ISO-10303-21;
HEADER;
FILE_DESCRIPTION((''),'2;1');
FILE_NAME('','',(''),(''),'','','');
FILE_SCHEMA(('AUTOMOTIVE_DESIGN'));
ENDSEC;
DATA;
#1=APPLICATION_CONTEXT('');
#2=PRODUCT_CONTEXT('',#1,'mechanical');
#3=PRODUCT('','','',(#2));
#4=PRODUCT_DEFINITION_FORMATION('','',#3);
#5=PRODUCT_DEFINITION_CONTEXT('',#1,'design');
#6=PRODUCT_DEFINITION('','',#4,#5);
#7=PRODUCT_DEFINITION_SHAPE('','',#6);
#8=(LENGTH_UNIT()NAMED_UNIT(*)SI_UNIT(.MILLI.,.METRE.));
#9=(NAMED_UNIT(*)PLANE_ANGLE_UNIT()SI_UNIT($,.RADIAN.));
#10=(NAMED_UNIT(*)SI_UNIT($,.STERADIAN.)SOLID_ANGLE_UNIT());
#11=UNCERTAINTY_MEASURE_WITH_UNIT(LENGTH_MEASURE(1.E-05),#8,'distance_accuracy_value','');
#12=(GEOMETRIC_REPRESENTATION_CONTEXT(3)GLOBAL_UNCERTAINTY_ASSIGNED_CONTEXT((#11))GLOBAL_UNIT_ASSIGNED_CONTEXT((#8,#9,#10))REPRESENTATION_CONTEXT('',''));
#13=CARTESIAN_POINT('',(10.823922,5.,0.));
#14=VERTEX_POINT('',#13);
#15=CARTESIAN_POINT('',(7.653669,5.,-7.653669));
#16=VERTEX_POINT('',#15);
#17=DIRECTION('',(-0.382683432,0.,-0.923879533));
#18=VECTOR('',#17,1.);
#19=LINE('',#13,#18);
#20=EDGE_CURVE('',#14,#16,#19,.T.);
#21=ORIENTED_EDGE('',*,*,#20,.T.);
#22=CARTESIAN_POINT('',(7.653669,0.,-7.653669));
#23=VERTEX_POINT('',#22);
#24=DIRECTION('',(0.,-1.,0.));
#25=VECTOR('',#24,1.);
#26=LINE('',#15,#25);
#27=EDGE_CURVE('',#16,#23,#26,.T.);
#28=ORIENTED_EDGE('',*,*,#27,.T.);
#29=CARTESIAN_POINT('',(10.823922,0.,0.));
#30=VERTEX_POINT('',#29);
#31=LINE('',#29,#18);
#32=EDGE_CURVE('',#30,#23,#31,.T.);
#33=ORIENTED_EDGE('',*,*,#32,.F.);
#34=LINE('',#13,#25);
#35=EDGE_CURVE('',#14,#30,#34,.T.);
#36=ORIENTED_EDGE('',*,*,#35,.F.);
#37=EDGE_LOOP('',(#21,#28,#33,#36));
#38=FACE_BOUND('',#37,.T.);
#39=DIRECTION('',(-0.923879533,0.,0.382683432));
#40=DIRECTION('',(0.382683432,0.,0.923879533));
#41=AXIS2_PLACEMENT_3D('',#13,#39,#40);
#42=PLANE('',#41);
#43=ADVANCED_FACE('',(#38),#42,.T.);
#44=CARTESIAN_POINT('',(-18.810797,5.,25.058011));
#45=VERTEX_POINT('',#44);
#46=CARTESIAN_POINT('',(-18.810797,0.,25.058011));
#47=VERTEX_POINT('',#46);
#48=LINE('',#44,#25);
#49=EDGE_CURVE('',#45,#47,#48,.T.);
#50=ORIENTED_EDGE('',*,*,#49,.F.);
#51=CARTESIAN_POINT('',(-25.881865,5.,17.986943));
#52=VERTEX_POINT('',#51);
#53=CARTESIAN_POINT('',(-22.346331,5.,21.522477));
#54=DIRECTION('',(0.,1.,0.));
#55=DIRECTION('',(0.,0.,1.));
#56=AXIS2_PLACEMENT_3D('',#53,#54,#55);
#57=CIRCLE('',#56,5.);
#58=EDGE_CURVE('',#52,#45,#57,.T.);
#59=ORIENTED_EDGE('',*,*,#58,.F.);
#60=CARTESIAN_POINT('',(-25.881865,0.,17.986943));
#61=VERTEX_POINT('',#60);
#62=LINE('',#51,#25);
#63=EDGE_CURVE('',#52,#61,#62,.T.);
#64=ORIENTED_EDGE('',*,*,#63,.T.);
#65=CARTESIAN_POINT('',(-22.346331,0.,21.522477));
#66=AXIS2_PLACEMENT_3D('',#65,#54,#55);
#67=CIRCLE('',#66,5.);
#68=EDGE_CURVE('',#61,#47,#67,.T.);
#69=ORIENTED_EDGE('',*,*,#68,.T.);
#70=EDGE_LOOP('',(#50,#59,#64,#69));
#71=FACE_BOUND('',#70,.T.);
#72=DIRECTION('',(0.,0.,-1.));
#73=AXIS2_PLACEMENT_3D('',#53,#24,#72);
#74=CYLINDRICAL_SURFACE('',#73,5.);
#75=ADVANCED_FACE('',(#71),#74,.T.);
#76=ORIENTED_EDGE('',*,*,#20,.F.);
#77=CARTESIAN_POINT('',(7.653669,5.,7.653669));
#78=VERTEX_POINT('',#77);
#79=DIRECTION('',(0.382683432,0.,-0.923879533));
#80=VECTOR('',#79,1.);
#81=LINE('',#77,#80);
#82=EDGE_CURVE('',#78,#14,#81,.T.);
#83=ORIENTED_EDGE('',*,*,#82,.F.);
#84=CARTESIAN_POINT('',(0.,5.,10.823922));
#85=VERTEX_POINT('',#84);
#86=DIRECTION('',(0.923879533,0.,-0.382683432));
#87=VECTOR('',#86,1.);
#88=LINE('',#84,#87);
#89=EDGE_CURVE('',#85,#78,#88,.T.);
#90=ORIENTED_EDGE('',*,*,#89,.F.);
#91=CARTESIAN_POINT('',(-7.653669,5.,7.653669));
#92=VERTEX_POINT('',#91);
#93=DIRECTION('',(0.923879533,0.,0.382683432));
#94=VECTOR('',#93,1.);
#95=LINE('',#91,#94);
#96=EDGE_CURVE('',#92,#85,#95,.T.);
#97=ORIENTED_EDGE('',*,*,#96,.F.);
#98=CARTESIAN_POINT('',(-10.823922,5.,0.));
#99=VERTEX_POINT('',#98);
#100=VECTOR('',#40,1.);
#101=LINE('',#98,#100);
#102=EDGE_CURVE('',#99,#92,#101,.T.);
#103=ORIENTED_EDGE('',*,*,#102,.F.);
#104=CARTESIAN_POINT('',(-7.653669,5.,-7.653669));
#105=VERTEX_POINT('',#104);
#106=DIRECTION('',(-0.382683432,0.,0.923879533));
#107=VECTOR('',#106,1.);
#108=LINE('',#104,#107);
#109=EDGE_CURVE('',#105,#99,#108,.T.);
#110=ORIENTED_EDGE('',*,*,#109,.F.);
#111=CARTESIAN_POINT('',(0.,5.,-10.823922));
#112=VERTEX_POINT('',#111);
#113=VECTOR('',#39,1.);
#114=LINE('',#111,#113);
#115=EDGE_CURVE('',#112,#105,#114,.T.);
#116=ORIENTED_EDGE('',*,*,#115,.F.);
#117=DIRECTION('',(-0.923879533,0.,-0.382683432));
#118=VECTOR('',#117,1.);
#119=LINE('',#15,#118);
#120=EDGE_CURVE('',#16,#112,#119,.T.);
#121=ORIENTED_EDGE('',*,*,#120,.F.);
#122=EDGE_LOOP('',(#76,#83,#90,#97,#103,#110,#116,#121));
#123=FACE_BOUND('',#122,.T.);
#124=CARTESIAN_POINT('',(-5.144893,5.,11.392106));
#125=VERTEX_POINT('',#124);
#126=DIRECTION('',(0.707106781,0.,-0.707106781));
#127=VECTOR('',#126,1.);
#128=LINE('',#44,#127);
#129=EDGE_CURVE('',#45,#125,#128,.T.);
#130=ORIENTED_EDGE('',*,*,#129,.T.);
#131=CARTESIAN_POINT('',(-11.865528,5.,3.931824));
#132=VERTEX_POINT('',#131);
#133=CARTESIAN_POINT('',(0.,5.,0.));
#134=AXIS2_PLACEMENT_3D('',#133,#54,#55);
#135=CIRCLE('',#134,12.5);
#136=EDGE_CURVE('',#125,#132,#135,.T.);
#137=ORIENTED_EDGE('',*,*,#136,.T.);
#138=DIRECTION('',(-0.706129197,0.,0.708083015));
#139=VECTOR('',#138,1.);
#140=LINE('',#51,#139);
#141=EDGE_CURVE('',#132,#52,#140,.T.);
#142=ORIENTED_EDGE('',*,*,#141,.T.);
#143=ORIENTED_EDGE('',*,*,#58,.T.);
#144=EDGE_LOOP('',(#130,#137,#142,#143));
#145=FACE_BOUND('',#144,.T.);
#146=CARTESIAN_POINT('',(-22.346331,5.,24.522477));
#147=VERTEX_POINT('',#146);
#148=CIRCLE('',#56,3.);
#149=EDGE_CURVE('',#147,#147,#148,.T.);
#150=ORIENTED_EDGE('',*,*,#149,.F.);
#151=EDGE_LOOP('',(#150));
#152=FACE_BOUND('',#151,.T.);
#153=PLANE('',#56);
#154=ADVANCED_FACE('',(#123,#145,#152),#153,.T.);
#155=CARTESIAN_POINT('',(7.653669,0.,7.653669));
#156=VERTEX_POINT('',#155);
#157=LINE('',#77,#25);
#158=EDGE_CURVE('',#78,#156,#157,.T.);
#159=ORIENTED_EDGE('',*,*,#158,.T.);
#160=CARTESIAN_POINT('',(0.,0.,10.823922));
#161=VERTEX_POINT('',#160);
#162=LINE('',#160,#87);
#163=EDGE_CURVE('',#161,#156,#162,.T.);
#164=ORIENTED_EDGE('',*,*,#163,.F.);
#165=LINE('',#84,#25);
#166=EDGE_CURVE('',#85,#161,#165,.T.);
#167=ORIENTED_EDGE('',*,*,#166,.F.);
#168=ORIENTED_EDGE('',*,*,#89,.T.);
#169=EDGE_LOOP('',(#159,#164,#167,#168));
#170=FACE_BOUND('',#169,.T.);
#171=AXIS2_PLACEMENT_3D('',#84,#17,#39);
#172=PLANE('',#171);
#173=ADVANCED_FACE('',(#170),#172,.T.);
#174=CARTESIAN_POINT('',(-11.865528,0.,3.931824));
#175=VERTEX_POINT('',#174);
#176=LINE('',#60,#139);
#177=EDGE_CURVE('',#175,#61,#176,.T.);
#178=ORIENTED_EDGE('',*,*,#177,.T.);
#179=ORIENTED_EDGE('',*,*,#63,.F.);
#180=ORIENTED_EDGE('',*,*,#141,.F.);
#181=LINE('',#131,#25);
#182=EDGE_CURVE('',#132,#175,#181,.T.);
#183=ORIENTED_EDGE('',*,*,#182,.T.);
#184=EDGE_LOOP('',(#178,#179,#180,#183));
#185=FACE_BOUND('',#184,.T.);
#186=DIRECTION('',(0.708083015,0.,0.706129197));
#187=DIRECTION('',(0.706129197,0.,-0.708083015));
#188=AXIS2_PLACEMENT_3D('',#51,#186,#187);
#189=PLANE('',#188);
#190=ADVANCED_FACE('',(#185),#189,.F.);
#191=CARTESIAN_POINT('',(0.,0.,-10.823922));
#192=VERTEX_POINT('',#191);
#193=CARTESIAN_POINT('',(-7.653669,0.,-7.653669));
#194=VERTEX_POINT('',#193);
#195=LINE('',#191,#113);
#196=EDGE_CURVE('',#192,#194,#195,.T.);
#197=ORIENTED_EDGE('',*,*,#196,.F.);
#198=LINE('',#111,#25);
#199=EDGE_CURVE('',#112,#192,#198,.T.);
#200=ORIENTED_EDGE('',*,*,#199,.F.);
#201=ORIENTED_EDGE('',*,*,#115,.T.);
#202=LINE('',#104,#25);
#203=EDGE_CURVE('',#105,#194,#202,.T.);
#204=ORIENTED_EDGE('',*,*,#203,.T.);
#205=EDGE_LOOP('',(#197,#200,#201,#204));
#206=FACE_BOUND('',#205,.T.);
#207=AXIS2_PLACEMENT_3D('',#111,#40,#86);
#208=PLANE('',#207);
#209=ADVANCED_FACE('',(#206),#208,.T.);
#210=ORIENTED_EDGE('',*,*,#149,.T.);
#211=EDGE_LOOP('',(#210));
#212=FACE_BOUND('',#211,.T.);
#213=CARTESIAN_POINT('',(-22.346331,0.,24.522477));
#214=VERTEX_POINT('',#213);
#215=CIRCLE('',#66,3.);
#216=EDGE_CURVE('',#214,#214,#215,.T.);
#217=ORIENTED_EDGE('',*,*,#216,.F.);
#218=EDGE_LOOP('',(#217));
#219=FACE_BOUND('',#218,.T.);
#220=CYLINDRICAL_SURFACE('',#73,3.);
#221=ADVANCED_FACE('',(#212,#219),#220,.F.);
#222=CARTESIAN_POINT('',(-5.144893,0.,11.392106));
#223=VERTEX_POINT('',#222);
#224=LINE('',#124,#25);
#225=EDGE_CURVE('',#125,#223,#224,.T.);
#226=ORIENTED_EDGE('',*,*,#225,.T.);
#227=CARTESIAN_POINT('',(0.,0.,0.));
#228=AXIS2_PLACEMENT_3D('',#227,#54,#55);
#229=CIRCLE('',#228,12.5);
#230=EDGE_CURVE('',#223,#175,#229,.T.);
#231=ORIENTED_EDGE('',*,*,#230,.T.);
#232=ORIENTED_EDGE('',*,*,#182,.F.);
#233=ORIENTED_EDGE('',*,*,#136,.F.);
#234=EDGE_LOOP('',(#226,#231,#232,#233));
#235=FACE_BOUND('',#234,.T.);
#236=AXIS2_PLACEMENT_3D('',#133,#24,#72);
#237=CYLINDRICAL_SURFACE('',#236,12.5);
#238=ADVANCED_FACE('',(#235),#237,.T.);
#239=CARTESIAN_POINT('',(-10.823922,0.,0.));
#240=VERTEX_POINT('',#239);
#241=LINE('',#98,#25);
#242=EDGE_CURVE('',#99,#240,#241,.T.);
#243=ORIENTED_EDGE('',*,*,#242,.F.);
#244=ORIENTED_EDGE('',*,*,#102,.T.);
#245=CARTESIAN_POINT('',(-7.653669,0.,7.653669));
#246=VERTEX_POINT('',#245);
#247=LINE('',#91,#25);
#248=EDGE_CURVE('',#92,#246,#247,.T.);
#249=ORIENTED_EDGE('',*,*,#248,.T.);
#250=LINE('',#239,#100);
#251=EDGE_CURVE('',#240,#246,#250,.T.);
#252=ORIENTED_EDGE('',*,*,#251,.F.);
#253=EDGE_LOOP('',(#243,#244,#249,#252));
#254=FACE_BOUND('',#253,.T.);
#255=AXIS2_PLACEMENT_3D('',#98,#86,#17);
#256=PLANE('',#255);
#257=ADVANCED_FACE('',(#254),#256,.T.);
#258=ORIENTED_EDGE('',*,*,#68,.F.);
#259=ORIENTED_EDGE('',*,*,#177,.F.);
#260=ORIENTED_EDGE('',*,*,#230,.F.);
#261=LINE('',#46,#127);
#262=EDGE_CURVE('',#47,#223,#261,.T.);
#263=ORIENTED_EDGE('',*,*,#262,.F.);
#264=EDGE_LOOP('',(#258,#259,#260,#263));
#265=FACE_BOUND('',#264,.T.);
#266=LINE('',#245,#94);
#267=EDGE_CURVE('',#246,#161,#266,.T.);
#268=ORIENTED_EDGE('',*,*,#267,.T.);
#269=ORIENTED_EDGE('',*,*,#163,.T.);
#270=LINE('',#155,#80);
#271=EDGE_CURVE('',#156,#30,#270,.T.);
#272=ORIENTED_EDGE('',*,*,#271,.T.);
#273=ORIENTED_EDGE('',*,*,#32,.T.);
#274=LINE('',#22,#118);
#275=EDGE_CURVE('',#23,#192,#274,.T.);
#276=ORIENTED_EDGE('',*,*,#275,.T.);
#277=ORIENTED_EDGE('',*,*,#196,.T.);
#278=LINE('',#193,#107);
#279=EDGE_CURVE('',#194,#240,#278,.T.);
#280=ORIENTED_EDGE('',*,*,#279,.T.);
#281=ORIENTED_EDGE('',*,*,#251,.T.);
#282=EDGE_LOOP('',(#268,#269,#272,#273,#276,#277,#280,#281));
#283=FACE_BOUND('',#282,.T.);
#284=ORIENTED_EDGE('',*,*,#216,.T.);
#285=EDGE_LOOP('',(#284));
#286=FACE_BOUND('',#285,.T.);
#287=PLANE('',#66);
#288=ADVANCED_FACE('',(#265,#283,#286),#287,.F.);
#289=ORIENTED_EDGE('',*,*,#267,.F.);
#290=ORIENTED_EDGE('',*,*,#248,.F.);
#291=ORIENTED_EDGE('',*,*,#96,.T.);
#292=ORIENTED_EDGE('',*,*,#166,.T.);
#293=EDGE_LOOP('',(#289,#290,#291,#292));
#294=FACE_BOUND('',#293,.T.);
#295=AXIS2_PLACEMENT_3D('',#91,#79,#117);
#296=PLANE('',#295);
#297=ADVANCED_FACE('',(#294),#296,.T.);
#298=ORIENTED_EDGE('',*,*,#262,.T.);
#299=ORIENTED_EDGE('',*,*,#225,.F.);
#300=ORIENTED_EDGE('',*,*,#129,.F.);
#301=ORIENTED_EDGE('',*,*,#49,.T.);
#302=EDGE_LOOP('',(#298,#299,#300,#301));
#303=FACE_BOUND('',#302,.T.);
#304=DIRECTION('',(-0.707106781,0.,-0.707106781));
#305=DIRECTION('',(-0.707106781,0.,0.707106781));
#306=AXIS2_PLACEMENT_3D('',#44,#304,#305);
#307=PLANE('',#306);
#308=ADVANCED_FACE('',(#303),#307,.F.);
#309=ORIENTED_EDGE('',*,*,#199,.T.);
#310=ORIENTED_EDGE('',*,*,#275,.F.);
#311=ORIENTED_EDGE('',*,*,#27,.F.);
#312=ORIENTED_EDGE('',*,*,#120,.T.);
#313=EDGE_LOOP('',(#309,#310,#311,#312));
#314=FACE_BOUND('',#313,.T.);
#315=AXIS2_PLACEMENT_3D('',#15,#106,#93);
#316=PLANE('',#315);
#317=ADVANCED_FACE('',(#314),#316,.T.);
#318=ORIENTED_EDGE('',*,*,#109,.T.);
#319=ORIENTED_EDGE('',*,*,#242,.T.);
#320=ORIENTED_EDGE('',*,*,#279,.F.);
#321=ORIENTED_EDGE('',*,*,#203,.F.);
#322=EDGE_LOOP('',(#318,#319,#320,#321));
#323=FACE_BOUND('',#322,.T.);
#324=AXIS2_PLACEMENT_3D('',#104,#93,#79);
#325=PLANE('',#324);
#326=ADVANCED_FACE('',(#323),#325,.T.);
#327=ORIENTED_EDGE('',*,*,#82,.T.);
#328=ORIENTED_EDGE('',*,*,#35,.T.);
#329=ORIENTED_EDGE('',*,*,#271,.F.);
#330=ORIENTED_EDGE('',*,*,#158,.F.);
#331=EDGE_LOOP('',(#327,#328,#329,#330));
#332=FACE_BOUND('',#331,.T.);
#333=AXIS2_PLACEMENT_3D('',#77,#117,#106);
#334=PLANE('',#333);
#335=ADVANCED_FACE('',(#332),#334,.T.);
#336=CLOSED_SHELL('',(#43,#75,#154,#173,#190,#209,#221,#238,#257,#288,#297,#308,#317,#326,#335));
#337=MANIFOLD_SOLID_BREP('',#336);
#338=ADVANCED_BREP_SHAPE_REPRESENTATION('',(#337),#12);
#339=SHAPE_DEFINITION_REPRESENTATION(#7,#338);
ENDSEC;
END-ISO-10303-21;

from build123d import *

# Parameters (mm, degrees)
SKETCH1_R           = 3
BOSS_EXTRUDE1_DEPTH = 5


with BuildPart() as part:
    # Sketch1 → Boss-Extrude1 (new body)
    with BuildSketch(Plane(origin=(0, 0, 0), x_dir=(1, 0, 0), z_dir=(0, 1, 0))):
        with BuildLine():
            Line((-25.881865259, -17.986942888), (-11.865528355, -3.931823604))
            ThreePointArc((-11.865528355, -3.931823604), (9.287225619, 8.366447293), (-5.144892732, -11.392105985))
            Line((-5.144892732, -11.392105985), (-18.810797447, -25.0580107))
            ThreePointArc((-18.810797447, -25.0580107), (-25.881865259, -25.0580107), (-25.881865259, -17.986942888))
        make_face()
        with Locations(Location((-22.346331353, -21.522476794, 0), (0, 0, 270))):
            Circle(SKETCH1_R, mode=Mode.SUBTRACT)
        Polygon((0, 10.823922003), (-7.653668647, 7.653668647), (-10.823922003, 0), (-7.653668647, -7.653668647), (0, -10.823922003), (7.653668647, -7.653668647), (10.823922003, 0), (7.653668647, 7.653668647), align=None, mode=Mode.SUBTRACT)
    extrude(amount=BOSS_EXTRUDE1_DEPTH)


solid = part.part
